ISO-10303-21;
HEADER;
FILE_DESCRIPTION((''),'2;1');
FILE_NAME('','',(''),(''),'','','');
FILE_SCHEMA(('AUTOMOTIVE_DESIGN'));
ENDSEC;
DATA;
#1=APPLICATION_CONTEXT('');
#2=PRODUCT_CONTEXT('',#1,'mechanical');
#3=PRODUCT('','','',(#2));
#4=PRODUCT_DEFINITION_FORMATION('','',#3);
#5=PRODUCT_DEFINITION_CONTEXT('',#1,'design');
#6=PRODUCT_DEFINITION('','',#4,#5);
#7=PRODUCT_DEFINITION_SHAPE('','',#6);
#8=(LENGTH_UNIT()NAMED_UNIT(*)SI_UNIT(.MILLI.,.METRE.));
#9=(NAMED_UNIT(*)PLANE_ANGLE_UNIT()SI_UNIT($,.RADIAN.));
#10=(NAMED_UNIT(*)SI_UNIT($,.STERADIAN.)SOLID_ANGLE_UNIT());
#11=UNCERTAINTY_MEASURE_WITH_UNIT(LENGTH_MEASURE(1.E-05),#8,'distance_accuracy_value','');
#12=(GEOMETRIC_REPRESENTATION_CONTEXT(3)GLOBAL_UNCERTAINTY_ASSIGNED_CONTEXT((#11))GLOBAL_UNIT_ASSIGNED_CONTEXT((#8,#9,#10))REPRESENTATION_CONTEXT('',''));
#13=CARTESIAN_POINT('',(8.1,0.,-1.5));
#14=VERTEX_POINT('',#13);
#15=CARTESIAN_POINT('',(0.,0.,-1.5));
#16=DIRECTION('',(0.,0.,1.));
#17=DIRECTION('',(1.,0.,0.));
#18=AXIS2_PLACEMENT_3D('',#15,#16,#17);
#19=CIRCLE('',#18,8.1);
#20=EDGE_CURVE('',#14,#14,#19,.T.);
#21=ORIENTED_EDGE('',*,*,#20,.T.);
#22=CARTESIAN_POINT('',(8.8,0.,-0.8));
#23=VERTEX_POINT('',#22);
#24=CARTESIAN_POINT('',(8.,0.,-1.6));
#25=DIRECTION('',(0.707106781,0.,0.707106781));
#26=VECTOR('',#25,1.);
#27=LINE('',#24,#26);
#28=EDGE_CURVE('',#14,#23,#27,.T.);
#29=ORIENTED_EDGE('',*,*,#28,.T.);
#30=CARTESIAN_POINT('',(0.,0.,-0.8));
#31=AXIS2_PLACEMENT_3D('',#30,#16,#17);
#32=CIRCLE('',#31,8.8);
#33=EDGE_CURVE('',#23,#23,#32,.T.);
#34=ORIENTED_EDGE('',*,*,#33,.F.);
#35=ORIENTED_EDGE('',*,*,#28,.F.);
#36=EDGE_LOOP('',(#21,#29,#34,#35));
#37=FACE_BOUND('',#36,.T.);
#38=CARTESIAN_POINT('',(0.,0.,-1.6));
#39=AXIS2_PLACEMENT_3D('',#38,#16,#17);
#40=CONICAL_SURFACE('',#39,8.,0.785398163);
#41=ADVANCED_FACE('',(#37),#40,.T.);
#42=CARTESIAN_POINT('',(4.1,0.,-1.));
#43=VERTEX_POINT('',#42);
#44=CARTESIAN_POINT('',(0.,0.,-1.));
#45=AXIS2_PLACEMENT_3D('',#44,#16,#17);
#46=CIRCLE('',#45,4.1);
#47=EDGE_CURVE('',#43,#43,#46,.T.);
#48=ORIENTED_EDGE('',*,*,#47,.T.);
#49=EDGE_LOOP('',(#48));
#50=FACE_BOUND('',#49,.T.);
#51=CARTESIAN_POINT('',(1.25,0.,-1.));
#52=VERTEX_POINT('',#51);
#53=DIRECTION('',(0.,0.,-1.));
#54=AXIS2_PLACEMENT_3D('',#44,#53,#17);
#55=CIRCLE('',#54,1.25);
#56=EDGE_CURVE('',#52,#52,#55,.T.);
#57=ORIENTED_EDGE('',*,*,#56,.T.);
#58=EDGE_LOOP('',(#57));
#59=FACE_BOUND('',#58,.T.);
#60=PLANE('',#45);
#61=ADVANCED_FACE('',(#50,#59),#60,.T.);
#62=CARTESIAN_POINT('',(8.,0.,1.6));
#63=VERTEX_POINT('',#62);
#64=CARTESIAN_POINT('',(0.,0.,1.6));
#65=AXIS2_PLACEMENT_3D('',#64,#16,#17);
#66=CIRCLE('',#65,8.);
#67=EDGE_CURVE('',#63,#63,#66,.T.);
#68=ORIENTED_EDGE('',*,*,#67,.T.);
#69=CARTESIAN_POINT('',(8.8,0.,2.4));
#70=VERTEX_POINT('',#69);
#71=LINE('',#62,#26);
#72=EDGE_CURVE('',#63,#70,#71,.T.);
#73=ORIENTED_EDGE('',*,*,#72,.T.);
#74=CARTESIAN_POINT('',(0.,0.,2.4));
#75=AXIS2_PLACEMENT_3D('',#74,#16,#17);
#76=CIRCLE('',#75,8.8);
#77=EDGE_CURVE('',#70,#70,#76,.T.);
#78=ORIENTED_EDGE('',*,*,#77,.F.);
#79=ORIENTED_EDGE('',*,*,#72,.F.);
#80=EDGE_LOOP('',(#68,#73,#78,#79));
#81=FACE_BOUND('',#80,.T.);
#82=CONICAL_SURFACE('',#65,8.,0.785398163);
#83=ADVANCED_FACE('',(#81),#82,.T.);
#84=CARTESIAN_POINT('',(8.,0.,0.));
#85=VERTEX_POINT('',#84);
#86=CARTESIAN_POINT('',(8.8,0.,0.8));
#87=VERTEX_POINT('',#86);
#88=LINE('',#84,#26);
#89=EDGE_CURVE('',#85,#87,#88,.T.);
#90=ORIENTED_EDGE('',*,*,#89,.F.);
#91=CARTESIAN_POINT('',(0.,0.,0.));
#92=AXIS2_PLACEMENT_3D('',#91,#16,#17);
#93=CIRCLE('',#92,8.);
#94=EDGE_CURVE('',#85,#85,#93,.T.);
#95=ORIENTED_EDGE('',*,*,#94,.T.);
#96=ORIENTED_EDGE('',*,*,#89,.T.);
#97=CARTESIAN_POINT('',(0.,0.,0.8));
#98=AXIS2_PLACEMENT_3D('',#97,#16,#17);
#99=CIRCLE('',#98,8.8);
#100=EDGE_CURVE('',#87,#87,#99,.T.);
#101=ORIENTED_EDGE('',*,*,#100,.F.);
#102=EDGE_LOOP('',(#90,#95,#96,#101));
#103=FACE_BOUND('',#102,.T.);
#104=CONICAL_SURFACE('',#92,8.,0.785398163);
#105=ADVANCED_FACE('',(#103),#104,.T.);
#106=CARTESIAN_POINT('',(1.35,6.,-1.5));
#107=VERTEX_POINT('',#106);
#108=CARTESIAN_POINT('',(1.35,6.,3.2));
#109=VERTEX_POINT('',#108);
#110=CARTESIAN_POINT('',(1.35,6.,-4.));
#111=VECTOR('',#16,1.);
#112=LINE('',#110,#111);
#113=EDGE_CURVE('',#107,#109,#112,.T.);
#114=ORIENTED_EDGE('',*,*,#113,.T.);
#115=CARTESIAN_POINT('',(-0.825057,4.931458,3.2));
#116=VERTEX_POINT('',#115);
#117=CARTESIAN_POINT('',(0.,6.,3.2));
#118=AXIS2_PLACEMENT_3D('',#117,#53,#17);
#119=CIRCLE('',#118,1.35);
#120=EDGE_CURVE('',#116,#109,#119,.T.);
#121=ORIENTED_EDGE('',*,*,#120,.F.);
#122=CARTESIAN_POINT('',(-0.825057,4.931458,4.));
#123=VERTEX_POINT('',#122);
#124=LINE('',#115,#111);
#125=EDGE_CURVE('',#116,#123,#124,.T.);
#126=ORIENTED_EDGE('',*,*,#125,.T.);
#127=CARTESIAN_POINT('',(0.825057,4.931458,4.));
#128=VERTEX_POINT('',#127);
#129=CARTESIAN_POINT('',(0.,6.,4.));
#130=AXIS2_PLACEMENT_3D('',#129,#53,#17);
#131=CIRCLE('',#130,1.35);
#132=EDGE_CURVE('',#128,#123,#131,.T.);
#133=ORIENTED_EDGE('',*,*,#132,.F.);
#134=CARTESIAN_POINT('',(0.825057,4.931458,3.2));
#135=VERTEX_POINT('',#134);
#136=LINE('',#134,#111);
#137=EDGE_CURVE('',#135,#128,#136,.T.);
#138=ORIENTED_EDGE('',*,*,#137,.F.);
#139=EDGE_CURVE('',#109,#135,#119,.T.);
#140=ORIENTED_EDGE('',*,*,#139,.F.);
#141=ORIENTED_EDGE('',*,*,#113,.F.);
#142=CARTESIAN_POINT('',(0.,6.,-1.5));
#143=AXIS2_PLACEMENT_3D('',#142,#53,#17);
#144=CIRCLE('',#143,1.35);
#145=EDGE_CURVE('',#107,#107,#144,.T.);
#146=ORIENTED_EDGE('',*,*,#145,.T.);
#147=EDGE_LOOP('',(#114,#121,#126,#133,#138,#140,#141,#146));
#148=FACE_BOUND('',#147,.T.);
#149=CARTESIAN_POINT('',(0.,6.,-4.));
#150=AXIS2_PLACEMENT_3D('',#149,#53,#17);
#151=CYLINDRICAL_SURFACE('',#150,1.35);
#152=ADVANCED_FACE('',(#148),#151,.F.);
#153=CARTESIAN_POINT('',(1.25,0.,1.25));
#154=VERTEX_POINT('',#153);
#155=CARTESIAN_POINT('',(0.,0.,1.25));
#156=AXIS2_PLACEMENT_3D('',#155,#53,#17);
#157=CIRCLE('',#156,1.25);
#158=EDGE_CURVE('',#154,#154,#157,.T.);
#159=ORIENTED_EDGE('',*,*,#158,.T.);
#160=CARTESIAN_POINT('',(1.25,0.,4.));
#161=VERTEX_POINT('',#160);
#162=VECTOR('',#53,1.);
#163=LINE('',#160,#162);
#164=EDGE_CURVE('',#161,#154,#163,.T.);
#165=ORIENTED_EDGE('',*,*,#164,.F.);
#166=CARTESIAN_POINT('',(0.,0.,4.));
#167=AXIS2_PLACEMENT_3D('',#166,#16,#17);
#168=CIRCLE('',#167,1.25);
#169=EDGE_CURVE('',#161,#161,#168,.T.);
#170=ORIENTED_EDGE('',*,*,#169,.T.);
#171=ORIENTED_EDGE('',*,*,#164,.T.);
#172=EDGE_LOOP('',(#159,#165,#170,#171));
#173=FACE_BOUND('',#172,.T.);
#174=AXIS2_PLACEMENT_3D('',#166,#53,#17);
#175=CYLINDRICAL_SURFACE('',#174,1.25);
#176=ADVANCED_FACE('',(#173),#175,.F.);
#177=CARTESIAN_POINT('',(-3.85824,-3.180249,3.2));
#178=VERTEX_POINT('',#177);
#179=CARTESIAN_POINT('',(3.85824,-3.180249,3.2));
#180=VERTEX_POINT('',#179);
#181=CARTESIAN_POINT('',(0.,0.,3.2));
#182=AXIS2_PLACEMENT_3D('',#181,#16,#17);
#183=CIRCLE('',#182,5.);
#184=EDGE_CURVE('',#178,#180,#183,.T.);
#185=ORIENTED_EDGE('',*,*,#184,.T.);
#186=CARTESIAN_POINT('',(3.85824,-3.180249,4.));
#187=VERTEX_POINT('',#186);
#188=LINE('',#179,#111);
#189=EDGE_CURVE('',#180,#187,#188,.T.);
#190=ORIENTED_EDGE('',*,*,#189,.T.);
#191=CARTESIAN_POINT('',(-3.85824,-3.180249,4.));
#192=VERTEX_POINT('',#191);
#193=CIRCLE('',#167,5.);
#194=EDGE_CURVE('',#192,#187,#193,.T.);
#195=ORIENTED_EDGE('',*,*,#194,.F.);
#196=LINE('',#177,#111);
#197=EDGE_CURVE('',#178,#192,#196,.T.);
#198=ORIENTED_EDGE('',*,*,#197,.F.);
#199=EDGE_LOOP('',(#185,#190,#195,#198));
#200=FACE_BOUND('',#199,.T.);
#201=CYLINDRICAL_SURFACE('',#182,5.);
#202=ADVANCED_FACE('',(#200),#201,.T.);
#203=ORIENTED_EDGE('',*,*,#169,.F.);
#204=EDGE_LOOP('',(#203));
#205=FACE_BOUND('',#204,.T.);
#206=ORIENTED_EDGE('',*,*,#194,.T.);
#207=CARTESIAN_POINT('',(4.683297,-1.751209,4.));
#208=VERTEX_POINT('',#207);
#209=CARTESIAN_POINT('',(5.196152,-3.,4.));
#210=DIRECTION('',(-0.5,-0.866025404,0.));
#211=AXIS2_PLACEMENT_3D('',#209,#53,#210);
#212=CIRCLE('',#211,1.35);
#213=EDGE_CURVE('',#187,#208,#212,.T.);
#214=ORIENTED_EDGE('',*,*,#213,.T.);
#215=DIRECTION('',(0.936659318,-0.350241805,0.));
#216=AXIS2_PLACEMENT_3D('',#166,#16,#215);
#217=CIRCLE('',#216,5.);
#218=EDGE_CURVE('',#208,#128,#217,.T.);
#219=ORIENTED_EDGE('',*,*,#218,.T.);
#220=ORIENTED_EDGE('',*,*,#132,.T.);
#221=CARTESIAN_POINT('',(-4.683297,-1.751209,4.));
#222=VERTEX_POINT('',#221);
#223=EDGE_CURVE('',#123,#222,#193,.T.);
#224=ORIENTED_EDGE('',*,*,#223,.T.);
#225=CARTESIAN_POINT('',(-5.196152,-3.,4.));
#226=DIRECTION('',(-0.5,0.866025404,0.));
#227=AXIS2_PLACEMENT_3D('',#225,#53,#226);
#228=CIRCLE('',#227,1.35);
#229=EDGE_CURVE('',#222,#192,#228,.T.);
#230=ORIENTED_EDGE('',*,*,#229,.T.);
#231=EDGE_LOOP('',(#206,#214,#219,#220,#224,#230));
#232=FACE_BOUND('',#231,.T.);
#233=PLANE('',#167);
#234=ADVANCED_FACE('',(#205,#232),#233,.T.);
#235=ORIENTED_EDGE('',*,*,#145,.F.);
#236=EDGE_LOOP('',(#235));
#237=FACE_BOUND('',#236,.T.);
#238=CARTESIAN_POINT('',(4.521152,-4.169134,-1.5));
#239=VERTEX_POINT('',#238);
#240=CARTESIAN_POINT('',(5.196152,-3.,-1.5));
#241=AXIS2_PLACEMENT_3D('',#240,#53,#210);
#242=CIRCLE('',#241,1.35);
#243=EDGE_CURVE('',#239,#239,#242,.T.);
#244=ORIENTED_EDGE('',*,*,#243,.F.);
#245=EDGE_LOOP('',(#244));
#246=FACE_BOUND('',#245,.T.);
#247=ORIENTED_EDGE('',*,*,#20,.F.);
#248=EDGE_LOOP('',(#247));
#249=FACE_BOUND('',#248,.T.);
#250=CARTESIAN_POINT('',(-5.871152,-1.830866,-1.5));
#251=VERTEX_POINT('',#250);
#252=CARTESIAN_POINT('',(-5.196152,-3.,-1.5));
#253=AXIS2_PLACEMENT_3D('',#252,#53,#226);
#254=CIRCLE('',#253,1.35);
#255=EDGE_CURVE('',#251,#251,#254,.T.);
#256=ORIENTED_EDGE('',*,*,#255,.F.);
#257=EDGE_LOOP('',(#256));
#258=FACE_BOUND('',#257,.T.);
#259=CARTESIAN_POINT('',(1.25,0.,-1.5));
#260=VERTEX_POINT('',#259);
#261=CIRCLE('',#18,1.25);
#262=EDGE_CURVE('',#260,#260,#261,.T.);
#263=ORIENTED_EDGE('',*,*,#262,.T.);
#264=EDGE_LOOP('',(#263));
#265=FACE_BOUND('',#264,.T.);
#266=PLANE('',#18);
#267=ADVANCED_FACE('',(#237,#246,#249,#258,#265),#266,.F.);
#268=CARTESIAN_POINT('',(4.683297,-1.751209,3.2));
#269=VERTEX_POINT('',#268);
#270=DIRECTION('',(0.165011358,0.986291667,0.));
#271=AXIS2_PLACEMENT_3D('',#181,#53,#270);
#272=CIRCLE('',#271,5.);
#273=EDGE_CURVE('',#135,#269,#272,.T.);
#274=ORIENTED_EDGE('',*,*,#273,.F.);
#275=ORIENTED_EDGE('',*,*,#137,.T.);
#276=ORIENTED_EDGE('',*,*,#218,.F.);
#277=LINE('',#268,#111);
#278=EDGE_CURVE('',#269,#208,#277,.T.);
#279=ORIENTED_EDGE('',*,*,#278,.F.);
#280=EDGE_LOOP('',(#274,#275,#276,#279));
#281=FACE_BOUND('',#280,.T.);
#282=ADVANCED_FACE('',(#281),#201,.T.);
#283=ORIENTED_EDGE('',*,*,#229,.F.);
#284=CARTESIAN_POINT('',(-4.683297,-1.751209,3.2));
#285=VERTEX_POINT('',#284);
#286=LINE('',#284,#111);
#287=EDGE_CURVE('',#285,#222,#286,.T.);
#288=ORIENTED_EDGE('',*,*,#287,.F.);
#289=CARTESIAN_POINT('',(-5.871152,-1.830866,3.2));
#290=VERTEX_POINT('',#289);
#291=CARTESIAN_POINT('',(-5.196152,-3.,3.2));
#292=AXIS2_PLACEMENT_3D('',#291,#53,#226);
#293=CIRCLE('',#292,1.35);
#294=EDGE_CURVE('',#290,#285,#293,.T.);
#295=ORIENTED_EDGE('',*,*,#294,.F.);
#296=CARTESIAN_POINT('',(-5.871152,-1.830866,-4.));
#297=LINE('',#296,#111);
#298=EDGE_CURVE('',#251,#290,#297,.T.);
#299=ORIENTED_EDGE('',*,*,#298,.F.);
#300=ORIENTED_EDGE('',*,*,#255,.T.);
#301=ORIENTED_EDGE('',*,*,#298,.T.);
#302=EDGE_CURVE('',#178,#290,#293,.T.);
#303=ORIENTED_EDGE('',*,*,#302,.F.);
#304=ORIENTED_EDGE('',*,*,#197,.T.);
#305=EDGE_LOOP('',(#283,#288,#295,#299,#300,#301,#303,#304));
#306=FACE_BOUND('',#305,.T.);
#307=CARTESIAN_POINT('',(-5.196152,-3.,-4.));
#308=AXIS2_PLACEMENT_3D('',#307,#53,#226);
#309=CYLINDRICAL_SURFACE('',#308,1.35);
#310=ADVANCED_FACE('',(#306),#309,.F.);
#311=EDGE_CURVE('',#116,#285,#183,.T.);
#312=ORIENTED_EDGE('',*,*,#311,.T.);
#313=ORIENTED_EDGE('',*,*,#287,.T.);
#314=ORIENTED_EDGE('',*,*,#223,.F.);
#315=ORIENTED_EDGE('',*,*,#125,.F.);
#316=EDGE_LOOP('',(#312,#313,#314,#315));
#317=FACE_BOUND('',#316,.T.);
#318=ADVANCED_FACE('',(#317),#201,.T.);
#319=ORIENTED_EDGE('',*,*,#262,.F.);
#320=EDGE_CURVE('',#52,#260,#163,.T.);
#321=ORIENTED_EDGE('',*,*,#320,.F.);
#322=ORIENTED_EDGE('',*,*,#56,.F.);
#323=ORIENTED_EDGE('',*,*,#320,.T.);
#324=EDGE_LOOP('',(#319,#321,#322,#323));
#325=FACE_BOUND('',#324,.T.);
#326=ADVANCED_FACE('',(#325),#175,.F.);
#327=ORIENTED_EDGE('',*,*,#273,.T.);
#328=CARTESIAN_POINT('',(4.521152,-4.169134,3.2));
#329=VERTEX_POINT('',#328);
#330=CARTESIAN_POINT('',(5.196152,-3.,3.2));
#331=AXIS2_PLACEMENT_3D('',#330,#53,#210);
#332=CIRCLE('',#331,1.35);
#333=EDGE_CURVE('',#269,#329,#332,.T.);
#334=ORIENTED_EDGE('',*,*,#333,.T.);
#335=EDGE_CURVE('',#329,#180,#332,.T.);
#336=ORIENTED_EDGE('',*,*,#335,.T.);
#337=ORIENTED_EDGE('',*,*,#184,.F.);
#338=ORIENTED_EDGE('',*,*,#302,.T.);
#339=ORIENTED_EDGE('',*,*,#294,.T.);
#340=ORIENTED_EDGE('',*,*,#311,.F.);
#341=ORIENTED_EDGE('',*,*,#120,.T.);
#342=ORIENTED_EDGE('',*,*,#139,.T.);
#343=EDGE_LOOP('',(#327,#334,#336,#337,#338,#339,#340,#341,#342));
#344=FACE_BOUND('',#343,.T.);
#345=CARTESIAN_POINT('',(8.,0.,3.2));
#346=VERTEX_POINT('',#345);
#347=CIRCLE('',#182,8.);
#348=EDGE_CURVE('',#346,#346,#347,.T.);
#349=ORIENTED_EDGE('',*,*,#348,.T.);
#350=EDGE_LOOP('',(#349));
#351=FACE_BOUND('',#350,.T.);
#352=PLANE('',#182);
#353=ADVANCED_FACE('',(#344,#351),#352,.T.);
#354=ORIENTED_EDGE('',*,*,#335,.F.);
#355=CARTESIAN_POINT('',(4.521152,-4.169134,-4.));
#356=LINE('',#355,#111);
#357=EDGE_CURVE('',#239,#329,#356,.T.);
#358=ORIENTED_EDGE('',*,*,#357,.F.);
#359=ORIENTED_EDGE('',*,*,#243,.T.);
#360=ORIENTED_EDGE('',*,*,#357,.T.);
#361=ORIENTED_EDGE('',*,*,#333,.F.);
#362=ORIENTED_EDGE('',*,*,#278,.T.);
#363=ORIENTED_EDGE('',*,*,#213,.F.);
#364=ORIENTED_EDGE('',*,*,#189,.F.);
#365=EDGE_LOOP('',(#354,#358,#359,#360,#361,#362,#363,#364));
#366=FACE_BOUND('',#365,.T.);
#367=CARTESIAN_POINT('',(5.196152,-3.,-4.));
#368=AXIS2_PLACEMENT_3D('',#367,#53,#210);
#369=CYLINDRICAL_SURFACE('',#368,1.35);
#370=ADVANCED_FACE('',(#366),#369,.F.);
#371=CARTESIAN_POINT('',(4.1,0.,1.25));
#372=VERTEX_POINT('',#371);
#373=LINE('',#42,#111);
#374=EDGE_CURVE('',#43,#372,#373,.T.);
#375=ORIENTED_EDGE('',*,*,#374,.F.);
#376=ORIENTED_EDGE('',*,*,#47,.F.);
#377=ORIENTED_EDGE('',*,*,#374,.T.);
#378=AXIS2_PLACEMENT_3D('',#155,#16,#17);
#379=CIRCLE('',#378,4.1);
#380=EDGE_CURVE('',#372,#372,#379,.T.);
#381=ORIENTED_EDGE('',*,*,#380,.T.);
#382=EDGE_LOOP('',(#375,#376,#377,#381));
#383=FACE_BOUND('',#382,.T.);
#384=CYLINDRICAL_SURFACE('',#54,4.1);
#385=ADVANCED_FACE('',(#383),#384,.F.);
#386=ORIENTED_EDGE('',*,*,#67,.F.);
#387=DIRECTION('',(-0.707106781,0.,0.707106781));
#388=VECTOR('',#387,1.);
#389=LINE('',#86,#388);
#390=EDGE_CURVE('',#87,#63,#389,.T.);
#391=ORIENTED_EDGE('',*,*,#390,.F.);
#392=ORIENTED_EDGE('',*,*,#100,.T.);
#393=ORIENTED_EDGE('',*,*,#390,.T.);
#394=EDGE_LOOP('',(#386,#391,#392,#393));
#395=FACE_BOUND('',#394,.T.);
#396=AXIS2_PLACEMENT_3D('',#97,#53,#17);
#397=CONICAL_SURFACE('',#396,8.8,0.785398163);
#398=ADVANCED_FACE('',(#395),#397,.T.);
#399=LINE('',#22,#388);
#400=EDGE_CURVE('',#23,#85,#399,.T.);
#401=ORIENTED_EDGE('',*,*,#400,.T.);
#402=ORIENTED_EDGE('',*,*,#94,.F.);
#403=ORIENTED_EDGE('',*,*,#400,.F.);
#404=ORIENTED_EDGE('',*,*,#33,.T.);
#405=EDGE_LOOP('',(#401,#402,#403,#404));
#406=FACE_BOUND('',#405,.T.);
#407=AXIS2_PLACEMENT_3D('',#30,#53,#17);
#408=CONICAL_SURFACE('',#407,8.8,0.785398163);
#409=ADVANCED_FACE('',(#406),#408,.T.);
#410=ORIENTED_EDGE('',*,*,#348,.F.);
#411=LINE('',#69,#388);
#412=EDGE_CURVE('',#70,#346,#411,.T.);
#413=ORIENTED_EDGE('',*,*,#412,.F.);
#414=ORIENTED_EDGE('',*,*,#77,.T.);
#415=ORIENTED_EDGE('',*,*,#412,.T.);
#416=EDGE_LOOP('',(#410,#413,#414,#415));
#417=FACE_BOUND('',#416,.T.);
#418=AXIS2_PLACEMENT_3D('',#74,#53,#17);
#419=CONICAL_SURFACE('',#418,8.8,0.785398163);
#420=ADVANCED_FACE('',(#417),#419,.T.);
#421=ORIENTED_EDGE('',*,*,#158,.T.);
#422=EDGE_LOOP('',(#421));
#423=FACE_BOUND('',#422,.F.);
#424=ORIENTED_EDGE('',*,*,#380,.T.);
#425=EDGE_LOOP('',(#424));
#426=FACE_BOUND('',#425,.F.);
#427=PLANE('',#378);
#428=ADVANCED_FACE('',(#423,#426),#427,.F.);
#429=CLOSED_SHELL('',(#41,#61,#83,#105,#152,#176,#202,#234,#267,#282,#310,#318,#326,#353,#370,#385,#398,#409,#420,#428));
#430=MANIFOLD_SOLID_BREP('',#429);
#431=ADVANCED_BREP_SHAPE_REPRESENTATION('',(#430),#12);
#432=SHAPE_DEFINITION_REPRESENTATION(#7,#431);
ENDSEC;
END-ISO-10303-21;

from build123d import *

# Parameters (mm, degrees)
CYLINDER001_R     = 1.35
CYLINDER001_DEPTH = 10
ARRAY001_COUNT    = 3
CYLINDER_R        = 4.1
CYLINDER_DEPTH    = 2.25
SKETCH002_W       = 5
SKETCH002_H       = 4.7
ARRAY_Z_COUNT     = 6
ARRAY_Z_PITCH     = 1.6


with BuildPart() as dins913:
    # Cylinder001 → Cylinder001 (new body)
    with BuildSketch(Plane(origin=(0, 6, -4), x_dir=(1, 0, 0), z_dir=(0, 0, 1))):
        Circle(CYLINDER001_R)
    extrude(amount=CYLINDER001_DEPTH)

    # Array001: DINs913 ×3 about axis
    array001_axis = Axis((0, 0, 0), (0, 0, 1))


with BuildPart() as dins913_1:
    add(dins913.part)
    for i in range(1, ARRAY001_COUNT):
        add(dins913.part.rotate(array001_axis, i * 360 / ARRAY001_COUNT))


with BuildPart() as lensfit:
    # Cylinder → Cylinder (new body)
    with BuildSketch(Plane.XY.offset(-1)):
        Circle(CYLINDER_R)
    extrude(amount=CYLINDER_DEPTH)


with BuildPart() as innergroovedom001:
    # Sketch002 → Revolution002 (revolve)
    with BuildSketch(Plane.XZ):
        with Locations((7.5, 0.85)):
            Rectangle(SKETCH002_W, SKETCH002_H)
    revolve(axis=Axis((0, 0, 0), (0, 0, 1)))


with BuildPart() as innergroovetool:
    # Sketch001 → Revolution001 (revolve)
    with BuildSketch(Plane.XZ):
        Polygon((4, 3.2), (4, 1.6), (8, 1.6), (8.8, 2.4), (8, 3.2), align=None)
    revolve(axis=Axis((0, 0, 0), (0, 0, 1)))

    # Array Z: InnerGrooveTool ×6


with BuildPart() as innergroovetool_1:
    add(innergroovetool.part)
    with Locations(*[(0, 0, -i * ARRAY_Z_PITCH) for i in range(1, ARRAY_Z_COUNT)]):
        add(innergroovetool.part)

    # Common: intersect InnerGrooveDom001
    add(innergroovedom001.part, mode=Mode.INTERSECT)


with BuildPart() as boltcuts:
    # Sketch → Revolution (revolve)
    with BuildSketch(Plane.XZ):
        Polygon((1.25, 4), (1.25, -1.5), (8, -1.5), (8, 3.2), (5, 3.2), (5, 4), align=None)
    revolve(axis=Axis((0, 0, 0), (0, 0, 1)))

    # Fusion001: union InnerGrooveTool
    add(innergroovetool_1.part)

    # Cut: cut LensFit
    add(lensfit.part, mode=Mode.SUBTRACT)

    # Cut001: cut DINs913
    add(dins913_1.part, mode=Mode.SUBTRACT)


solid = boltcuts.part
